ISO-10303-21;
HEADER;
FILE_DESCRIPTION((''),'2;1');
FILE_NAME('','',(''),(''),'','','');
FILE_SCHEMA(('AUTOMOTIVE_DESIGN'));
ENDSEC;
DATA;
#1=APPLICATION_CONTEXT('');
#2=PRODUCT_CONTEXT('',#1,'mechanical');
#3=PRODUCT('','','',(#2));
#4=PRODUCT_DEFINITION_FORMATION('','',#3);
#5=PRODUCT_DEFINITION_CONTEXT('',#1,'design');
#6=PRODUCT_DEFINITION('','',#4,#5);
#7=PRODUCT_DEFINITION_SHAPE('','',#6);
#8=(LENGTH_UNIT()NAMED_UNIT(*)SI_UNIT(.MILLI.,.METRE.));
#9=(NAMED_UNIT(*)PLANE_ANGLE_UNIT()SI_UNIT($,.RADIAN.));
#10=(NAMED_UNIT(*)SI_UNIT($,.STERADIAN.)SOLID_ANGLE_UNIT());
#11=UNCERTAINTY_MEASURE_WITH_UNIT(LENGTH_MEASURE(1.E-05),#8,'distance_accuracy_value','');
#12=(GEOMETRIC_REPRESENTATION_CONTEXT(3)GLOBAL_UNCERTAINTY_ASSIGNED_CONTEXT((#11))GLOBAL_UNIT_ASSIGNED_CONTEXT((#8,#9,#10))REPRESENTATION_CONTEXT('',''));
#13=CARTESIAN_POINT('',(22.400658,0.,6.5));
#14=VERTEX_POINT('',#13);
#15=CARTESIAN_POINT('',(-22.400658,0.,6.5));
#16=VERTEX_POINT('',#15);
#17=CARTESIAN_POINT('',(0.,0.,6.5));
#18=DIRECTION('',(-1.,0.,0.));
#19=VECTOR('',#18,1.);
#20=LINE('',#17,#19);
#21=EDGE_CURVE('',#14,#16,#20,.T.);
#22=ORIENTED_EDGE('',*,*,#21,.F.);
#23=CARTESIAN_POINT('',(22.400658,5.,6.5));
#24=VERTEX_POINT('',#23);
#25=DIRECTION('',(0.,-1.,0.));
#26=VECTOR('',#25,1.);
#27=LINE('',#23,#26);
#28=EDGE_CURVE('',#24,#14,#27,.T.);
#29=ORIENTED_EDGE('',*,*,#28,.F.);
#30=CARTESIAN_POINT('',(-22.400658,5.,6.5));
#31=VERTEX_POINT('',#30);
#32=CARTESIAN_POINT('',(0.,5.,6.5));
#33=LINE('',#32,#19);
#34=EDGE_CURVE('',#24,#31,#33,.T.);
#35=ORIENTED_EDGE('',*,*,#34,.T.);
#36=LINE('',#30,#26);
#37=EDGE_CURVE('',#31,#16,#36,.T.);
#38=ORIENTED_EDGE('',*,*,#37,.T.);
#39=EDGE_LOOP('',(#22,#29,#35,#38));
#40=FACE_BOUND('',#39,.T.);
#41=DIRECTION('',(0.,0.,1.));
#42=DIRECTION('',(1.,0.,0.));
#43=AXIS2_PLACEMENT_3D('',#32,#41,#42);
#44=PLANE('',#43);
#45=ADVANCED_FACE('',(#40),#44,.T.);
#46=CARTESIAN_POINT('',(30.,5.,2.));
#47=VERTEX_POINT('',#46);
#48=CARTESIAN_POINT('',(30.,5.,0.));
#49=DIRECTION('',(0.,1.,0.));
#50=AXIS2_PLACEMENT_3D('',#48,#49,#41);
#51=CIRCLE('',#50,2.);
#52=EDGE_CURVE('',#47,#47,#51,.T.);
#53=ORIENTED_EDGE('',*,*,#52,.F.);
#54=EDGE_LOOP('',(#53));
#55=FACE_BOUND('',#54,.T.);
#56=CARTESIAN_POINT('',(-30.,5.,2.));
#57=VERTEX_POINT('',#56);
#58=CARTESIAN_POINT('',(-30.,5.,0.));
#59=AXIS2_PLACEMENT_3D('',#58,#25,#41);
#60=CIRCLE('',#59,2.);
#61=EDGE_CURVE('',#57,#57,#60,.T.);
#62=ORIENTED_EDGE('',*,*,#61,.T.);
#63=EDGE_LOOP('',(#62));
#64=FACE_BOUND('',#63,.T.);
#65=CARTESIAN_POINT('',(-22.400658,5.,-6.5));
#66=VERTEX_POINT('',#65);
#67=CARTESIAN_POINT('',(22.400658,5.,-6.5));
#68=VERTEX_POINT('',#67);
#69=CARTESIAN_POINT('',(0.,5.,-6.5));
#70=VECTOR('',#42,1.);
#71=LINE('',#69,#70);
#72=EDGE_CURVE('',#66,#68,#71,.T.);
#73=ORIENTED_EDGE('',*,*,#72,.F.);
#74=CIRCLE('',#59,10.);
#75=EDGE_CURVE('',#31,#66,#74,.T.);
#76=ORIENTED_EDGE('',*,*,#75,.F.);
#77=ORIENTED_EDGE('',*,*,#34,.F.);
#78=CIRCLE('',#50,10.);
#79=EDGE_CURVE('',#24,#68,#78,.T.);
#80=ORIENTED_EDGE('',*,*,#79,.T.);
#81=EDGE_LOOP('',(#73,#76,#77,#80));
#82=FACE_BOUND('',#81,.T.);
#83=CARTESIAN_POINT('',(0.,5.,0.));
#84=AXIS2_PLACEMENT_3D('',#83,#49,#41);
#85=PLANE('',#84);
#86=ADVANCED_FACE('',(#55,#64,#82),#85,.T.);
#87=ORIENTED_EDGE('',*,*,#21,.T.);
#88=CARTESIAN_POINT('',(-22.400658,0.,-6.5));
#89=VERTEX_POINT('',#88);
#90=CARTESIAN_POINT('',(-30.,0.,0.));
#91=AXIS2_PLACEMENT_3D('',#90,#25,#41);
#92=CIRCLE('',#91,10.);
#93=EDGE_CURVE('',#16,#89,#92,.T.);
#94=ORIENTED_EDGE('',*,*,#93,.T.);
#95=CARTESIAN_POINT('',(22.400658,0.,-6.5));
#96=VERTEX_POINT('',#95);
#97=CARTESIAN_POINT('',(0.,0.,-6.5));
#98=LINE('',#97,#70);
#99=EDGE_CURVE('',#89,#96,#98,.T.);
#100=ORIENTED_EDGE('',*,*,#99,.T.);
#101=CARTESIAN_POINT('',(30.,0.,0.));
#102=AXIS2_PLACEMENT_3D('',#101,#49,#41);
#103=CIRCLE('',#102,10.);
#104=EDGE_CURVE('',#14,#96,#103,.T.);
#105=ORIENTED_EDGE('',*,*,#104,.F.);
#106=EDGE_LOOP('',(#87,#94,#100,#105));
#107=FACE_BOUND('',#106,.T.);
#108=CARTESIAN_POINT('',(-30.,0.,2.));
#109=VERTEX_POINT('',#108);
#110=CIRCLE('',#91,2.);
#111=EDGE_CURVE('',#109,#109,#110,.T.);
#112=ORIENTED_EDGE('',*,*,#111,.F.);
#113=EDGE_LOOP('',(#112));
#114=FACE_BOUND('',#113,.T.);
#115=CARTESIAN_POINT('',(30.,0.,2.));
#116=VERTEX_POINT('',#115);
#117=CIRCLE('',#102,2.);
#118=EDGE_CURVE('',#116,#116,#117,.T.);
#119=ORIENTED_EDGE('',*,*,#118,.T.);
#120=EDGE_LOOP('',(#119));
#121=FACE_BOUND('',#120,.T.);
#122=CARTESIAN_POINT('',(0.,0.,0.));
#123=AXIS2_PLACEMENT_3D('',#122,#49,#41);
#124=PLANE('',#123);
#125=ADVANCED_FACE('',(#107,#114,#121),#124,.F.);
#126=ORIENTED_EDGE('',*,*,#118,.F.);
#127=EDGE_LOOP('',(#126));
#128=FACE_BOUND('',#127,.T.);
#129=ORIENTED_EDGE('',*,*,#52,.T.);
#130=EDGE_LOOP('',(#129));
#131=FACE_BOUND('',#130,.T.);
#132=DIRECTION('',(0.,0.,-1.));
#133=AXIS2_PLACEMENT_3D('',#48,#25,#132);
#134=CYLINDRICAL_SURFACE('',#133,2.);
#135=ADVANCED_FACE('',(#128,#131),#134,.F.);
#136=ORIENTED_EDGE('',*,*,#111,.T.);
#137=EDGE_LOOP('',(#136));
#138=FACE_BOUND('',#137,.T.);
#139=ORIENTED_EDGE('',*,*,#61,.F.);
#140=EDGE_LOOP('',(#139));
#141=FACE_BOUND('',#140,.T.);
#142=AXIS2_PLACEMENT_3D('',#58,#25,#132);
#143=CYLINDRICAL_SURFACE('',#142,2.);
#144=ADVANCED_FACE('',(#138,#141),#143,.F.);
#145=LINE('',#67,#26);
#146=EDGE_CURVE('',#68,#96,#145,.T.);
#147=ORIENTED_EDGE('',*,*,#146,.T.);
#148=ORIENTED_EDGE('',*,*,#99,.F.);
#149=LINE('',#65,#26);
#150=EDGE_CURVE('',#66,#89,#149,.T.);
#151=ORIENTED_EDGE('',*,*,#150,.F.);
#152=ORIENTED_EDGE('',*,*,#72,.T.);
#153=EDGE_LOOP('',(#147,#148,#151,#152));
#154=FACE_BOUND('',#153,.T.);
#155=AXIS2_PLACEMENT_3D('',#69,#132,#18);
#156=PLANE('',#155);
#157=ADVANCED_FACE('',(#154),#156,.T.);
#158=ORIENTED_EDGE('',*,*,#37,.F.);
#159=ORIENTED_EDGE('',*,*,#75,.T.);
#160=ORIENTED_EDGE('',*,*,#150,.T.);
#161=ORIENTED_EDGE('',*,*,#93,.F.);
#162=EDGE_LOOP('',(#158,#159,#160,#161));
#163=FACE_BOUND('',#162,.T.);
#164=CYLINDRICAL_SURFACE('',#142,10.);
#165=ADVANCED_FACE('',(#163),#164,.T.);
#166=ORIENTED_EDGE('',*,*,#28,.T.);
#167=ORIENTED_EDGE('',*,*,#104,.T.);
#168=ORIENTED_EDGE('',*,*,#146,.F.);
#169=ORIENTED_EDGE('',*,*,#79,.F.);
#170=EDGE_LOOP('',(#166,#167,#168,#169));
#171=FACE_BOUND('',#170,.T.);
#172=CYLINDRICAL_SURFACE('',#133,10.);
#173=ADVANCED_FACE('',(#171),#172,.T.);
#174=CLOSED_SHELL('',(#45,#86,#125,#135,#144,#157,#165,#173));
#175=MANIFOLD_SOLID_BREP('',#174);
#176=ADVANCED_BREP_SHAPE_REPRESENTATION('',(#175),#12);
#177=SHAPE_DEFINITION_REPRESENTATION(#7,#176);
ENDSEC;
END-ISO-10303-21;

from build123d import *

# Parameters (mm, degrees)
SKIZZE1_R                       = 2
AUFSATZ_LINEAR_AUSTRAGEN1_DEPTH = 5


with BuildPart() as part:
    # Skizze1 → Aufsatz-Linear austragen1 (new body)
    with BuildSketch(Plane(origin=(0, 0, 0), x_dir=(1, 0, 0), z_dir=(0, 1, 0))):
        with BuildLine():
            Line((22.400657923, 6.5), (0, 6.5))
            Line((0, 6.5), (0, -6.5))
            Line((0, -6.5), (22.400657923, -6.5))
            ThreePointArc((22.400657923, -6.5), (40, 0), (22.400657923, 6.5))
        make_face()
        with Locations(Location((30, 0, 0), (0, 0, 270))):
            Circle(SKIZZE1_R, mode=Mode.SUBTRACT)
    aufsatz_linear_austragen1 = extrude(amount=AUFSATZ_LINEAR_AUSTRAGEN1_DEPTH)

    # Spiegeln1: Aufsatz-Linear austragen1 across plane
    add(aufsatz_linear_austragen1.mirror(Plane(origin=(0, 0, 0), x_dir=(0, 0, 1), z_dir=(1, 0, 0))))


solid = part.part
